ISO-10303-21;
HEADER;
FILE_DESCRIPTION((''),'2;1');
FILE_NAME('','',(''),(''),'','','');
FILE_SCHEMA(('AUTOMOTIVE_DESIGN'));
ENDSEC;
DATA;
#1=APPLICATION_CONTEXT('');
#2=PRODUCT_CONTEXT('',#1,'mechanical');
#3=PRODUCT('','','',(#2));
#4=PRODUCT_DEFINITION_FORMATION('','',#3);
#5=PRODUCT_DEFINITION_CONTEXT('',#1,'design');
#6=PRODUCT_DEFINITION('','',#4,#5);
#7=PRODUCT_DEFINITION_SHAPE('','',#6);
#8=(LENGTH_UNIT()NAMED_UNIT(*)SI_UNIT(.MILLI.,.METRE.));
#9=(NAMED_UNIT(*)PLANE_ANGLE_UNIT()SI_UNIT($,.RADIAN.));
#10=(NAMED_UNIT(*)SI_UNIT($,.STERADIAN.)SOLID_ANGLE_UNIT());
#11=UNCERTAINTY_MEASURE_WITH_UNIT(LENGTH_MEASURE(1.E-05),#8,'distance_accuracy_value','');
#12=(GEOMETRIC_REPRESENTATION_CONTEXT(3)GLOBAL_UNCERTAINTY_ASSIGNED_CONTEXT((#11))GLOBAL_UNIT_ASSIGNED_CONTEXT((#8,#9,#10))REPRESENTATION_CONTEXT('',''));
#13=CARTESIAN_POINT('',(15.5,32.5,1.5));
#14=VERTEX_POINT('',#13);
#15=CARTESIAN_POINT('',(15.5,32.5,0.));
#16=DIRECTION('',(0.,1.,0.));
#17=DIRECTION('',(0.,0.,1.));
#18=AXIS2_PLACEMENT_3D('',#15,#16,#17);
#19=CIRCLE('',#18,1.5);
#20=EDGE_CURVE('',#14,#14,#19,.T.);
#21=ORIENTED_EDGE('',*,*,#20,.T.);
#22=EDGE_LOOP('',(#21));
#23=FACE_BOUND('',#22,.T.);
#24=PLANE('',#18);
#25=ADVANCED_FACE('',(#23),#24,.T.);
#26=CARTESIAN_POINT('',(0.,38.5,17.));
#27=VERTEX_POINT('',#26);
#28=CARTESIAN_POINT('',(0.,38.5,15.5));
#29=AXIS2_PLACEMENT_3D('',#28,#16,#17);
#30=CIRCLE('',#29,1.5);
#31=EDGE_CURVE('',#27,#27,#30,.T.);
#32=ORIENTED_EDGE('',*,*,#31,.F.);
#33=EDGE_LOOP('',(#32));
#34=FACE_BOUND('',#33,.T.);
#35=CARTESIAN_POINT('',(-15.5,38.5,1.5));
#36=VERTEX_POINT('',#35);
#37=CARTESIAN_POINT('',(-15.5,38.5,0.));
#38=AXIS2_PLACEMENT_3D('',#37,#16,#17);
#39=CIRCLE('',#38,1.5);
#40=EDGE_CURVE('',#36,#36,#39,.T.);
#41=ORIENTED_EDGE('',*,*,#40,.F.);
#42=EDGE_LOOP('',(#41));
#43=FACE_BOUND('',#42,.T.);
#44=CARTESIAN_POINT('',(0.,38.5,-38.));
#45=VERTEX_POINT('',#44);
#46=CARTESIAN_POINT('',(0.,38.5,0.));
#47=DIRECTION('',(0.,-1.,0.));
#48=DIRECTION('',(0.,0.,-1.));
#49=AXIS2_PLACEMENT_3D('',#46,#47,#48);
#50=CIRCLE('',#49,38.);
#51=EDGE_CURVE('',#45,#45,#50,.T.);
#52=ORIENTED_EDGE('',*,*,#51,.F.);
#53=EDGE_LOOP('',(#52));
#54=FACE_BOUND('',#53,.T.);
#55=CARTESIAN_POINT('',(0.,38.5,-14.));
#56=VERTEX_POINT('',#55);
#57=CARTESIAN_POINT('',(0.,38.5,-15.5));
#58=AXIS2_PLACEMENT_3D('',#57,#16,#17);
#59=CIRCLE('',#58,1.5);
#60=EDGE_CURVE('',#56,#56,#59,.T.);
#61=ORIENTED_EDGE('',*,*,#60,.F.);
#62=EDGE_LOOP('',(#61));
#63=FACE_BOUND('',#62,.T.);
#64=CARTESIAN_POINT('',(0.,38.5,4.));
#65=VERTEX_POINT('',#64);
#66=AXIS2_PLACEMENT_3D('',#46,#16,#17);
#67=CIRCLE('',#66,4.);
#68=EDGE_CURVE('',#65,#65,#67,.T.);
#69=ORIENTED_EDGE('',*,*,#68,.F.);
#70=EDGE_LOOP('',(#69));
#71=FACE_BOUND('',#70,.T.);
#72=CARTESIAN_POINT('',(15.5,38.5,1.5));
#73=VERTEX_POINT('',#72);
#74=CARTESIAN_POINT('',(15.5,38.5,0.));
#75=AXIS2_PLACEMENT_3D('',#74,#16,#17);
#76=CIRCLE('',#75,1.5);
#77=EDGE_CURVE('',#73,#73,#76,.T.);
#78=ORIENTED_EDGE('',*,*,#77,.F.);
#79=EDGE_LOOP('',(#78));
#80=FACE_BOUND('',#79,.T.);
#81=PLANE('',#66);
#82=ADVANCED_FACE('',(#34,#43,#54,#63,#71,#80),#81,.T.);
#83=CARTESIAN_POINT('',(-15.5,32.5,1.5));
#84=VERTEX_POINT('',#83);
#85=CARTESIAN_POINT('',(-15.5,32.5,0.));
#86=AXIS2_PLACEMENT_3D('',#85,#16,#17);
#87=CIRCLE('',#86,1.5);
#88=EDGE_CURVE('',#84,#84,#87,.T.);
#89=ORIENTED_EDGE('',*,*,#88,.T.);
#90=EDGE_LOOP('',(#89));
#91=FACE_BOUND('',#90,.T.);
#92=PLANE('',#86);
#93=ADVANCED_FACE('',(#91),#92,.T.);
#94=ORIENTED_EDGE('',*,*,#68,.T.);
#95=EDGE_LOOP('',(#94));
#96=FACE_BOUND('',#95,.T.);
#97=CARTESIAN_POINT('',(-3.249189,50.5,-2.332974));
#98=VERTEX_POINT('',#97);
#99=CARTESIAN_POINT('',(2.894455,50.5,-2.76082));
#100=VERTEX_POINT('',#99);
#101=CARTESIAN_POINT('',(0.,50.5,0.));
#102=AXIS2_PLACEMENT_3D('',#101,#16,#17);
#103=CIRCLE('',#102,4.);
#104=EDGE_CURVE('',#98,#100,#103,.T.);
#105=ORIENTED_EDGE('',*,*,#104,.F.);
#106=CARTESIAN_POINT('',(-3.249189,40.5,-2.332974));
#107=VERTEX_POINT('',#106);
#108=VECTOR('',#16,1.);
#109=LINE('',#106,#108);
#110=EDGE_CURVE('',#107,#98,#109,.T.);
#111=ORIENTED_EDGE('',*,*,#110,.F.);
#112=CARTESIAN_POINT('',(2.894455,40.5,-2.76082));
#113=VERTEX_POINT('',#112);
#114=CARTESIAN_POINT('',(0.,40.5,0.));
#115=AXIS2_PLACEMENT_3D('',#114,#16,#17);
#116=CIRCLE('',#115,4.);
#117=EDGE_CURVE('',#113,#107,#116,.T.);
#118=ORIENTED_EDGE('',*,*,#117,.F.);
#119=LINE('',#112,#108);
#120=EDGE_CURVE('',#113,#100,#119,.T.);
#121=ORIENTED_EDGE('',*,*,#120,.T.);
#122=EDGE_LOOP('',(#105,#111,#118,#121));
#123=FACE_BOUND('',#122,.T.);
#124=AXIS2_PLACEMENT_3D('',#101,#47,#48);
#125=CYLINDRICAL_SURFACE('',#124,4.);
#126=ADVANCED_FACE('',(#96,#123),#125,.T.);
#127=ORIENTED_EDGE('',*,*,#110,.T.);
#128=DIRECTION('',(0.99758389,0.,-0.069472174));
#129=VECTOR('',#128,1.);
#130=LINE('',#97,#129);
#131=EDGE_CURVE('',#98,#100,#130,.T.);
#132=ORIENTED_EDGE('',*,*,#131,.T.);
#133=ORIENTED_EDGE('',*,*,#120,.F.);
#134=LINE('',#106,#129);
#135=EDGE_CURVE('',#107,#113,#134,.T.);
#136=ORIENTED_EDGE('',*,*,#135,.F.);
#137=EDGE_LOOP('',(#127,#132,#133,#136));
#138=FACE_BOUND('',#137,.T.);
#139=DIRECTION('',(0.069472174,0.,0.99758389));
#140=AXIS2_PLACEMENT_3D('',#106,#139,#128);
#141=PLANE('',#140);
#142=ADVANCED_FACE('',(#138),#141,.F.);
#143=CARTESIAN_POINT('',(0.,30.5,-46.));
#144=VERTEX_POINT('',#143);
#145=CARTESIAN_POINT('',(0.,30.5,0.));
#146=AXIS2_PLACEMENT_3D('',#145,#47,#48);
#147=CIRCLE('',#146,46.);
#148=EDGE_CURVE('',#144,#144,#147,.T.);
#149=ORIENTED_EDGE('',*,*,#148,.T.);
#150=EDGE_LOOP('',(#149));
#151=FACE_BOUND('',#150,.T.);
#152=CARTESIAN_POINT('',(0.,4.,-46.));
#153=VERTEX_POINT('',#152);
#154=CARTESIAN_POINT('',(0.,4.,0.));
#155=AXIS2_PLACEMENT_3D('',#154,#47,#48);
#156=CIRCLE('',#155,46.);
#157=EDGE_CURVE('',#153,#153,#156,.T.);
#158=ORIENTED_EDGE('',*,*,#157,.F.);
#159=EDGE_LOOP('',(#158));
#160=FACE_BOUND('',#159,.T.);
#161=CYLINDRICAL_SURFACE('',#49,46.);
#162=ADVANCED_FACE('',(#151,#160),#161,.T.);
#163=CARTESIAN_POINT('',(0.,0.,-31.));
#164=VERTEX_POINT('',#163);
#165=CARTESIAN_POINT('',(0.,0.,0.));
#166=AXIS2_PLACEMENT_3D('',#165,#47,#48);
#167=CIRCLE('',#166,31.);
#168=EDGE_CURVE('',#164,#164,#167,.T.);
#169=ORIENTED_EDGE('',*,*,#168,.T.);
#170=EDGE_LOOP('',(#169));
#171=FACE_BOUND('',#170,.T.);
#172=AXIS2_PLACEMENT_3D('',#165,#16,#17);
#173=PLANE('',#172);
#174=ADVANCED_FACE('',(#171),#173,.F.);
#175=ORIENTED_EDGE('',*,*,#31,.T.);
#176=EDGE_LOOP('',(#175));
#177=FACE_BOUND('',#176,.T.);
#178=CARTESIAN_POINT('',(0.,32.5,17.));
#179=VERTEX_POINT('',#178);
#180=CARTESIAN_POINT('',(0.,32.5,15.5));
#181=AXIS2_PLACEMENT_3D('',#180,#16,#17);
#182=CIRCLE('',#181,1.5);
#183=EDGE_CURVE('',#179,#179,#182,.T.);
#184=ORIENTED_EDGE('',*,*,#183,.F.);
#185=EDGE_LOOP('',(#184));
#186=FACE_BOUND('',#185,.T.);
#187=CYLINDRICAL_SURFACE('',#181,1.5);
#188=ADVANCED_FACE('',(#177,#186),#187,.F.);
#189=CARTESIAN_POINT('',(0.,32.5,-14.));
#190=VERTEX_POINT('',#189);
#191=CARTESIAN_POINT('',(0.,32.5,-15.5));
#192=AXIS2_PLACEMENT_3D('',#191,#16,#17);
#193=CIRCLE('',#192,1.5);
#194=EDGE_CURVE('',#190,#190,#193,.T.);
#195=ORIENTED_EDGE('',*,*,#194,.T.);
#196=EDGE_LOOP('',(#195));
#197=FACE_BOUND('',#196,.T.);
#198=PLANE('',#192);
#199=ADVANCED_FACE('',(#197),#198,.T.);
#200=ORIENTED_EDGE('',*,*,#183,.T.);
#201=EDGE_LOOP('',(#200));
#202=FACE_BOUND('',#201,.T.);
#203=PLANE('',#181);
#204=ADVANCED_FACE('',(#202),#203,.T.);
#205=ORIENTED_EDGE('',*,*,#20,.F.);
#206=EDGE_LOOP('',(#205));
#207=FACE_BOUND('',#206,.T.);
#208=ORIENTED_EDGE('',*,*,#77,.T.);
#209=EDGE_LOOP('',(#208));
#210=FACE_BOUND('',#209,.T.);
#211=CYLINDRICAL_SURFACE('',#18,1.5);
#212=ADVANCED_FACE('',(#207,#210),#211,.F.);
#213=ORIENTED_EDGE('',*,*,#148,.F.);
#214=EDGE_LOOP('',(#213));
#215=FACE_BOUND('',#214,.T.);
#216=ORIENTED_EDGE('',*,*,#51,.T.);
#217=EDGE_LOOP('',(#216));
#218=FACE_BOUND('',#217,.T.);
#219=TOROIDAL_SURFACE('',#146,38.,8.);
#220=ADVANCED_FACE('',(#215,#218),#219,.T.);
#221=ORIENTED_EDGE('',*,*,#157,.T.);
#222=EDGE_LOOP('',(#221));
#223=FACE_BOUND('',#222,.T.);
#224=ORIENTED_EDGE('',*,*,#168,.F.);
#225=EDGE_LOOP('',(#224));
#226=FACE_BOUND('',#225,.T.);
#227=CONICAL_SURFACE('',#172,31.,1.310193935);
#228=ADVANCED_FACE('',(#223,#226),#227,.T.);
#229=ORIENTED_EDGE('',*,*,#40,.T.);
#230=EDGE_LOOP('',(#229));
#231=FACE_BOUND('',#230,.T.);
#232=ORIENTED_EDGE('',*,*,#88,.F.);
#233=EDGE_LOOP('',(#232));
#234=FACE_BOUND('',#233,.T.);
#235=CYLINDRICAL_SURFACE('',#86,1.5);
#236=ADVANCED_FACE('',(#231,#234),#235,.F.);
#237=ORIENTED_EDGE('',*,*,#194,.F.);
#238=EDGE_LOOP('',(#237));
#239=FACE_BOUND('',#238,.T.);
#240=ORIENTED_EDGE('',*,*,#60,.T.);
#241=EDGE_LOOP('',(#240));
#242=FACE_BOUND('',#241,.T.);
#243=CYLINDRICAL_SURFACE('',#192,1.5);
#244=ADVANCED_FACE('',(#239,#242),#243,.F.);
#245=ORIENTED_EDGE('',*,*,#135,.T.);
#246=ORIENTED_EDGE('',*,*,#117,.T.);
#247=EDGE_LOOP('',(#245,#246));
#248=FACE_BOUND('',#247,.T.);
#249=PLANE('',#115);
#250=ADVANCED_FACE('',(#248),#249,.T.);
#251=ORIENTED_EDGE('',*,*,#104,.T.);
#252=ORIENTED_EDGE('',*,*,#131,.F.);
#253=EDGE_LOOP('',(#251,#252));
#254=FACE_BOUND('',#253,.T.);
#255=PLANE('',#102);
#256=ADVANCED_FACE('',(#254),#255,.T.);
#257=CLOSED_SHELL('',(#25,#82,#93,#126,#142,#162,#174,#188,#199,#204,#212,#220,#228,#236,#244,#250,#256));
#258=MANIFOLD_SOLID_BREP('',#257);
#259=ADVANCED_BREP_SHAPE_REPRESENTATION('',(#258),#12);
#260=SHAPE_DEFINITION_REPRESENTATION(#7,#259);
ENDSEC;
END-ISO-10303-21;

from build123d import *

# Parameters (mm, degrees)
SKETCH1_R           = 46
BOSS_EXTRUDE1_DEPTH = 38.5
SKETCH4_R           = 4
BOSS_EXTRUDE2_DEPTH = 12
SKETCH5_R           = 1.5
CUT_EXTRUDE1_DEPTH  = 6
CUT_EXTRUDE2_START  = -10
CUT_EXTRUDE2_DEPTH  = 10


with BuildPart() as part:
    # Sketch1 → Boss-Extrude1 (new body)
    with BuildSketch(Plane(origin=(0, 0, 0), x_dir=(1, 0, 0), z_dir=(0, 1, 0))):
        with Locations(Location((0, 0, 0), (0, 0, 270))):
            Circle(SKETCH1_R)
    extrude(amount=BOSS_EXTRUDE1_DEPTH)

    # Sketch2 → Cut-Revolve1 (revolve, cut)
    with BuildSketch(Plane.XY, mode=Mode.PRIVATE) as cut_revolve1_sk:
        with BuildLine():
            Line((-46, 38.5), (-46, 30.5))
            ThreePointArc((-46, 30.5), (-43.656854249, 36.156854249), (-38, 38.5))
            Line((-38, 38.5), (-46, 38.5))
        make_face()
    revolve(cut_revolve1_sk.sketch.rotate(Axis((0, 0, 0), (0, 1, 0)), 270), axis=Axis((0, 0, 0), (0, 1, 0)), mode=Mode.SUBTRACT)

    # Sketch3 → Cut-Revolve2 (revolve, cut)
    with BuildSketch(Plane.XY, mode=Mode.PRIVATE) as cut_revolve2_sk:
        Polygon((-46, 0), (-46, 4), (-31, 0), align=None)
    revolve(cut_revolve2_sk.sketch.rotate(Axis((0, 0, 0), (0, 1, 0)), 270), axis=Axis((0, 0, 0), (0, 1, 0)), mode=Mode.SUBTRACT)

    # Sketch4 → Boss-Extrude2 (add)
    with BuildSketch(Plane(origin=(0, 38.5, 0), x_dir=(1, 0, 0), z_dir=(0, 1, 0))):
        with Locations(Location((0, 0, 0), (0, 0, 270))):
            Circle(SKETCH4_R)
    extrude(amount=BOSS_EXTRUDE2_DEPTH)

    # Sketch5 → Cut-Extrude1 (cut)
    with BuildSketch(Plane(origin=(0, 38.5, 0), x_dir=(1, 0, 0), z_dir=(0, 1, 0))):
        with Locations(Location((-15.5, 0, 0), (0, 0, 270))):
            Circle(SKETCH5_R)
        with Locations(Location((0, 15.5, 0), (0, 0, 270))):
            Circle(SKETCH5_R)
        with Locations(Location((15.5, 0, 0), (0, 0, 270))):
            Circle(SKETCH5_R)
        with Locations(Location((0, -15.5, 0), (0, 0, 270))):
            Circle(SKETCH5_R)
    extrude(amount=-CUT_EXTRUDE1_DEPTH, mode=Mode.SUBTRACT)

    # Sketch6 → Cut-Extrude2 (cut)
    with BuildSketch(Plane(origin=(0, 50.5, 0), x_dir=(1, 0, 0), z_dir=(0, 1, 0)).offset(CUT_EXTRUDE2_START)):
        with BuildLine():
            Line((-3.249189343, 2.332974199), (2.894455289, 2.760820273))
            ThreePointArc((2.894455289, 2.760820273), (-0.277888697, 3.990335559), (-3.249189343, 2.332974199))
        make_face()
    extrude(amount=CUT_EXTRUDE2_DEPTH, mode=Mode.SUBTRACT)


solid = part.part
